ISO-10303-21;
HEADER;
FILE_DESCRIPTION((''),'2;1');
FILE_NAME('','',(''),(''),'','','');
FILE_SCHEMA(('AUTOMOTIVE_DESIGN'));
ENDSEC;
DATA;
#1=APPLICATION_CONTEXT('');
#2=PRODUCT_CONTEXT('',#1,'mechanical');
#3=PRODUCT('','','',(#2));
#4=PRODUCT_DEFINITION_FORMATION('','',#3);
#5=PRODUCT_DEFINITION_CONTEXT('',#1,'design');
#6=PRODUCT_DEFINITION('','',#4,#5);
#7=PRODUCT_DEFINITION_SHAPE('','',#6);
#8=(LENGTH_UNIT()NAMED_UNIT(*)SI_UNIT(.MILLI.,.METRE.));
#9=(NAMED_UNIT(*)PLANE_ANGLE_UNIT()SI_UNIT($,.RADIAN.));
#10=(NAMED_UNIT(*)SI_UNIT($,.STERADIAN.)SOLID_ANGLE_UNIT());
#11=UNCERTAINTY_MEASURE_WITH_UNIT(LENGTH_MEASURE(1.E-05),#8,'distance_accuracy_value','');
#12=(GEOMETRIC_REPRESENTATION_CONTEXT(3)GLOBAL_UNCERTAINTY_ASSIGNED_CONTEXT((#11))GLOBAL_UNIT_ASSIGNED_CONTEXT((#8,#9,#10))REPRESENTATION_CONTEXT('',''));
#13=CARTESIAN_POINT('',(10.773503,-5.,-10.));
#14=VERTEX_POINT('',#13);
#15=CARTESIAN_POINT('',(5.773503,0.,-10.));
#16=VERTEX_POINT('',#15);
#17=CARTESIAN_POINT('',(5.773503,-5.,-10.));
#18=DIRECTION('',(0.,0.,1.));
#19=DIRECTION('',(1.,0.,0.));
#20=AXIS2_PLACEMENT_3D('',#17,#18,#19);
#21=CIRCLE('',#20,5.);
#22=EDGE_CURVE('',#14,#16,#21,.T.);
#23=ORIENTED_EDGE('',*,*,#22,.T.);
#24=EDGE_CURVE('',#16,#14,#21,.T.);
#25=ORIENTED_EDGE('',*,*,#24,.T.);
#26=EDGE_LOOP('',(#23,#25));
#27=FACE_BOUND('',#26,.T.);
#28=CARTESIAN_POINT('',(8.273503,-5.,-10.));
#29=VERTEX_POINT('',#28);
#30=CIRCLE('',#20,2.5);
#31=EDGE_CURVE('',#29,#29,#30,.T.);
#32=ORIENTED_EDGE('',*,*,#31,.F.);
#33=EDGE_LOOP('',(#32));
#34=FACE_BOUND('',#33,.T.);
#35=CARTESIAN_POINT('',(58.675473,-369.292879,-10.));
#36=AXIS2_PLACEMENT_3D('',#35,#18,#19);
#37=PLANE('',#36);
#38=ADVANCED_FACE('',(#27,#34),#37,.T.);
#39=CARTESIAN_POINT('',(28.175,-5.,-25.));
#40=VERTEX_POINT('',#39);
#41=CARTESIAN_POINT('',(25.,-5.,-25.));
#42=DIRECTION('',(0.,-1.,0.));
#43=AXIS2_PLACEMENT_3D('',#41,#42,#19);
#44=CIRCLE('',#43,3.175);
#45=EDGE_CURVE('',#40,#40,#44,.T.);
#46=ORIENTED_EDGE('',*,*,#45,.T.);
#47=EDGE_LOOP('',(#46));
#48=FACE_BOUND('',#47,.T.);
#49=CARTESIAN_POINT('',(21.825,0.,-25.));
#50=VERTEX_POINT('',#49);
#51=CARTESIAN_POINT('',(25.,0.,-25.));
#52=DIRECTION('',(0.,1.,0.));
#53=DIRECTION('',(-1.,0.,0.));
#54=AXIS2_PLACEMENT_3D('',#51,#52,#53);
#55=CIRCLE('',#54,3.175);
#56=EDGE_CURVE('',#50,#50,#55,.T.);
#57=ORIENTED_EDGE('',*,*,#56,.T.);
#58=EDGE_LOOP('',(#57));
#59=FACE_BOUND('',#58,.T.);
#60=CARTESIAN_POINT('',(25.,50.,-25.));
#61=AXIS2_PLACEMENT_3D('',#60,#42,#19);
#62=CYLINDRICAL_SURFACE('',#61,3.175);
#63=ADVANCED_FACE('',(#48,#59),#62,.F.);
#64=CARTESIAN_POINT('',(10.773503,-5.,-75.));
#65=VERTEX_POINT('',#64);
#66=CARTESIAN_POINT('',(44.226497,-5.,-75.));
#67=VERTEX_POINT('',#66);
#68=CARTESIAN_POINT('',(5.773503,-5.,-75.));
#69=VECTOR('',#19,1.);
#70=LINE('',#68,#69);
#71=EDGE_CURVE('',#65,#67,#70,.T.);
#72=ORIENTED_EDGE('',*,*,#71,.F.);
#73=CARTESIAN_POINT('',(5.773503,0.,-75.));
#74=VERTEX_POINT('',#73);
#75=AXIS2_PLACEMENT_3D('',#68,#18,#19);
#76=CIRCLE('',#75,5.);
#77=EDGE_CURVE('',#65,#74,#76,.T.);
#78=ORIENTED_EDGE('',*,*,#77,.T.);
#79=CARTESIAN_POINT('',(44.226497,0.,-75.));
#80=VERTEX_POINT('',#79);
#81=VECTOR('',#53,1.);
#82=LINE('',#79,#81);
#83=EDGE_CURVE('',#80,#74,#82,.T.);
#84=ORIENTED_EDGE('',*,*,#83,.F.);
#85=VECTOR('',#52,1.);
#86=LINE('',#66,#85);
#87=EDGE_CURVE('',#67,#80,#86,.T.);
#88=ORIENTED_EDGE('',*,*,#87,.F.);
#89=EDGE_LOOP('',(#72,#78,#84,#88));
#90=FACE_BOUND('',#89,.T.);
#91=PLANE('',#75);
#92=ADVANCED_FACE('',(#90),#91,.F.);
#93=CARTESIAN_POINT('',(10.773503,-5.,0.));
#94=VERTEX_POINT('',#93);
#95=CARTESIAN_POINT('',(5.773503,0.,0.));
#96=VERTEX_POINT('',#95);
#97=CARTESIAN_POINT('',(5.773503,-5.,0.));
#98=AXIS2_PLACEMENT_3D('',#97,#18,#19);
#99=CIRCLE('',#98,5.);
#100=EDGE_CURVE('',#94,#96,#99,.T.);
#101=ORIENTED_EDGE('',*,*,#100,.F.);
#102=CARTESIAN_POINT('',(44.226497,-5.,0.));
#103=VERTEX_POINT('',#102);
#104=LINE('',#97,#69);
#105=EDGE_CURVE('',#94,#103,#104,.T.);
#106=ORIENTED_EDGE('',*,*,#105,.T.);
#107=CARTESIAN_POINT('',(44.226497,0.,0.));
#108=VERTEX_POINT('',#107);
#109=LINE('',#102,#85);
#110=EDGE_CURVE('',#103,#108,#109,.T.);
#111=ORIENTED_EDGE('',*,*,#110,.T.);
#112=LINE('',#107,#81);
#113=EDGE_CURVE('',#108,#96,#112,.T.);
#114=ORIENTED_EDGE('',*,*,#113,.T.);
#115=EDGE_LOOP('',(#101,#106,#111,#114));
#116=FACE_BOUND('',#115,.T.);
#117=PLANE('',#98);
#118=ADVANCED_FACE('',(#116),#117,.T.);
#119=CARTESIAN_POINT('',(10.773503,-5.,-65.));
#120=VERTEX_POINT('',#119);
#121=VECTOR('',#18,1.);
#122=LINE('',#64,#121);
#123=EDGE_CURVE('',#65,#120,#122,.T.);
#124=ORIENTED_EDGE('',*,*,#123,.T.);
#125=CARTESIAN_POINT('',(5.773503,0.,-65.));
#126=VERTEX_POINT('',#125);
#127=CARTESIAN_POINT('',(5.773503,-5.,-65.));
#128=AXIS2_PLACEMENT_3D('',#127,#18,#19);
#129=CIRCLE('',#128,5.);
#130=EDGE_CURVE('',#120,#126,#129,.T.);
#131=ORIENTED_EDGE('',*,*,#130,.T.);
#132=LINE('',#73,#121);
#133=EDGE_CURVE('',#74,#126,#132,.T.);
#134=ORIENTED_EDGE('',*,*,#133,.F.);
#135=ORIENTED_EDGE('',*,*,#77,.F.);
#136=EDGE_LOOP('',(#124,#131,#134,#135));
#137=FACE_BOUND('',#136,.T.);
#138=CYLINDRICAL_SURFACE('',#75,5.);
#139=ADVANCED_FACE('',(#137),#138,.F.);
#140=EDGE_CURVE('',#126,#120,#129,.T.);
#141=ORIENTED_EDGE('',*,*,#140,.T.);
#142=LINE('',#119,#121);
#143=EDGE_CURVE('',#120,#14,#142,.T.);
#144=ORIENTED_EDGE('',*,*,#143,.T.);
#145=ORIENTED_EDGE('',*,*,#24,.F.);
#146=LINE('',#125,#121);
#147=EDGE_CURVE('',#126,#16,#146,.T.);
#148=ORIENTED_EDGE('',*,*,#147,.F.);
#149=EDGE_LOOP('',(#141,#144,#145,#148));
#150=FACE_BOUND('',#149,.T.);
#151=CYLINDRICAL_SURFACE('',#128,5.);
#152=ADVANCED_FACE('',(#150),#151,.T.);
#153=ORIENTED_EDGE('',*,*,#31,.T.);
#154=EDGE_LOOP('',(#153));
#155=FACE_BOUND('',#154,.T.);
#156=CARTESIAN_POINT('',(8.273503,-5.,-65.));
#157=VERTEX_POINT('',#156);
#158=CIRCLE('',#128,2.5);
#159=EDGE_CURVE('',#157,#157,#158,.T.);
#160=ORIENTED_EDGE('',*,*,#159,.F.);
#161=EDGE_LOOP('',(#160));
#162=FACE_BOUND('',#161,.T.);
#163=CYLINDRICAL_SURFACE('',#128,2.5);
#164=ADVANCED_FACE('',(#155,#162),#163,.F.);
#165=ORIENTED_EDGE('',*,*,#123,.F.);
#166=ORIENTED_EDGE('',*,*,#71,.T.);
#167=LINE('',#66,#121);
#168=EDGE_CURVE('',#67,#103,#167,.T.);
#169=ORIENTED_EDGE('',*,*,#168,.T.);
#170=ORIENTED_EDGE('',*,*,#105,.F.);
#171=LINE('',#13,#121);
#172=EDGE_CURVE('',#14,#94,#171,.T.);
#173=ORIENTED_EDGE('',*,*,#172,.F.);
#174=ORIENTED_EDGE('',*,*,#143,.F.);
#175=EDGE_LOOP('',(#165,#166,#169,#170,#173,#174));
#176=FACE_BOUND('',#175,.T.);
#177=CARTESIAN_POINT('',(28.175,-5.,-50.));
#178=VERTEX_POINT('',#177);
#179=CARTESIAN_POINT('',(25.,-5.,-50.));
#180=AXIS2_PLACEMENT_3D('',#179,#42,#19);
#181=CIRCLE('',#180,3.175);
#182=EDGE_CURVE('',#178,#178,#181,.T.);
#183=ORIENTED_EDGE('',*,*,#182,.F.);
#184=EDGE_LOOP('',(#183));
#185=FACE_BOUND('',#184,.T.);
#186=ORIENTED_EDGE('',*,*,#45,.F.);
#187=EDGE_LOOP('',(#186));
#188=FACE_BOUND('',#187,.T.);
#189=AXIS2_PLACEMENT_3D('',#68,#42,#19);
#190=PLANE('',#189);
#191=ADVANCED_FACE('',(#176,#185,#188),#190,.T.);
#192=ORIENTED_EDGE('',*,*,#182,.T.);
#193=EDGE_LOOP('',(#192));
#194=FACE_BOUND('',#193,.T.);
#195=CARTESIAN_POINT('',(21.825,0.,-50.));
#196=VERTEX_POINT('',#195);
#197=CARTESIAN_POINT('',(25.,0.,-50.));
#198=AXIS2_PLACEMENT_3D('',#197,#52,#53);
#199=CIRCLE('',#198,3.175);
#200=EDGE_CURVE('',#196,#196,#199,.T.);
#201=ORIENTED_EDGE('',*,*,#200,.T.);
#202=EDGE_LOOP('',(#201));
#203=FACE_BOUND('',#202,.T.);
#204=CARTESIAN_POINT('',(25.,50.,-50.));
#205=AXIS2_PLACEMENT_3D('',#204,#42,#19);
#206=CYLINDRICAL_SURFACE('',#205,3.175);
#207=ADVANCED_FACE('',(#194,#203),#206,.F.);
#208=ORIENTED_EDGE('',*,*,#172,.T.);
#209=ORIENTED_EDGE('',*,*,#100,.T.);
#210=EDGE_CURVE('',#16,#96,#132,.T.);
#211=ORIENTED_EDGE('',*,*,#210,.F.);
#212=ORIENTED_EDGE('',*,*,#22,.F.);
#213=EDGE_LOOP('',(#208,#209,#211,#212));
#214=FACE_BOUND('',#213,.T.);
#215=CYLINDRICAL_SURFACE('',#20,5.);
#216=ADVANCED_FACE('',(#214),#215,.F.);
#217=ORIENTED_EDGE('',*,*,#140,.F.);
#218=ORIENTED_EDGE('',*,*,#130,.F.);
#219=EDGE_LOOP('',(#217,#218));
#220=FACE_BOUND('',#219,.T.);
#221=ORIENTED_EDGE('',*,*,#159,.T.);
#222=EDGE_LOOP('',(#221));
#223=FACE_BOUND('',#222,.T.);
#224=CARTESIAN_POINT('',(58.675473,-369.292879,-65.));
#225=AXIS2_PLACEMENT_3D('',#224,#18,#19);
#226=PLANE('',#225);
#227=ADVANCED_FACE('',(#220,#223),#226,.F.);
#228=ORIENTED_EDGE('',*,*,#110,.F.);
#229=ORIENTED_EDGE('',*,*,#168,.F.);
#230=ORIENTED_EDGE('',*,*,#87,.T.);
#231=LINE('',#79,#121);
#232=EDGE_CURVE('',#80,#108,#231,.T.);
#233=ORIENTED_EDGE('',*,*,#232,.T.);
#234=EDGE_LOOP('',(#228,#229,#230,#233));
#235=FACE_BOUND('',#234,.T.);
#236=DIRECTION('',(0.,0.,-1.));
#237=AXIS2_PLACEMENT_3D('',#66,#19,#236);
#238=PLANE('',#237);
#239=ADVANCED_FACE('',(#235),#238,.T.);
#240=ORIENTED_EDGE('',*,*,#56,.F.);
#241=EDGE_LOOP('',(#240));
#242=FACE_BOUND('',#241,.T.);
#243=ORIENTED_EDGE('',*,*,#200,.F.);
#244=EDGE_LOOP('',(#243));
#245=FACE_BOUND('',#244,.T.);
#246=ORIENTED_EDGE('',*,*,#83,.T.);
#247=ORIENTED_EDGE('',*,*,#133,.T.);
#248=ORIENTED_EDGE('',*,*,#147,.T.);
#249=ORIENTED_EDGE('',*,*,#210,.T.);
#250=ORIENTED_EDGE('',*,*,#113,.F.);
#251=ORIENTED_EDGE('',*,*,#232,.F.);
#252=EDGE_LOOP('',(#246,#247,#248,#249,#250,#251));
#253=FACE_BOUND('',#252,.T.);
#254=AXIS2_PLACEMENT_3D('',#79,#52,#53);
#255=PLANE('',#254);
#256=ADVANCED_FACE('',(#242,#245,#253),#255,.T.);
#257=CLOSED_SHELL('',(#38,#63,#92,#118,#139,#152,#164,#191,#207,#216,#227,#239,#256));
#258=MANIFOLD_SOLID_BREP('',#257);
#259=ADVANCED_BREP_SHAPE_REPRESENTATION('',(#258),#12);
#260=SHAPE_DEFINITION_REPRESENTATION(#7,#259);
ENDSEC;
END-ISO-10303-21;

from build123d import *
from build123d.topology import SkipClean

# Parameters (mm, degrees)
SKETCH1_W           = 38.452994616
SKETCH1_H           = 5
BOSS_EXTRUDE1_DEPTH = 75
BOSS_EXTRUDE2_START = -10
BOSS_EXTRUDE2_DEPTH = 55
SKETCH5_R           = 3.175
CUT_EXTRUDE8_DEPTH  = 55
CUT_EXTRUDE9_DEPTH  = 75
CUT_EXTRUDE10_DEPTH = 10
CUT_EXTRUDE11_START = -65
CUT_EXTRUDE11_DEPTH = 10


with BuildPart() as part:
    # Sketch1 → Boss-Extrude1 (new body)
    with BuildSketch(Plane.XY):
        with Locations((25, -2.5)):
            Rectangle(SKETCH1_W, SKETCH1_H)
    extrude(amount=-BOSS_EXTRUDE1_DEPTH)

    # Sketch1<4> → Boss-Extrude2 (add)
    with BuildSketch(Plane.XY.offset(BOSS_EXTRUDE2_START)):
        with BuildLine():
            Line((5.773502692, -2.5), (5.773502692, 0))
            ThreePointArc((5.773502692, 0), (3.273502704, -0.669872974), (1.443375686, -2.499999977))
            ThreePointArc((1.443375686, -2.499999977), (4.479407453, -9.829629128), (10.773502692, -5))
            Line((10.773502692, -5), (8.273502692, -5))
            ThreePointArc((8.273502692, -5), (4.005735739, -6.767766953), (5.773502692, -2.5))
        make_face()
    extrude(amount=-BOSS_EXTRUDE2_DEPTH)

    # Sketch5 → Cut-Extrude8 (cut)
    with BuildSketch(Plane.XZ.offset(5)):
        with Locations((25, -25)):
            Circle(SKETCH5_R)
        with Locations((25, -50)):
            Circle(SKETCH5_R)
    extrude(amount=-CUT_EXTRUDE8_DEPTH, mode=Mode.SUBTRACT)

    # Sketch1<14> → Cut-Extrude9 (cut)
    with SkipClean():  # the faces are left unmerged after this step: merging them gives an invalid solid
        with BuildSketch(Plane.XY):
            with BuildLine():
                ThreePointArc((8.273502692, -5), (7.541269645, -3.232233047), (5.773502692, -2.5))
                Line((5.773502692, -2.5), (5.773502692, -5))
                Line((5.773502692, -5), (8.273502692, -5))
            make_face()
        extrude(amount=-CUT_EXTRUDE9_DEPTH, mode=Mode.SUBTRACT)

    # Sketch1<15> → Cut-Extrude10 (cut)
    with SkipClean():  # the faces are left unmerged after this step: merging them gives an invalid solid
        with BuildSketch(Plane.XY):
            with BuildLine():
                ThreePointArc((10.773502692, -5), (9.309036598, -1.464466094), (5.773502692, 0))
                Line((5.773502692, 0), (5.773502692, -2.5))
                ThreePointArc((5.773502692, -2.5), (7.541269645, -3.232233047), (8.273502692, -5))
                Line((8.273502692, -5), (10.773502692, -5))
            make_face()
        extrude(amount=-CUT_EXTRUDE10_DEPTH, mode=Mode.SUBTRACT)

    # Sketch1<16> → Cut-Extrude11 (cut)
    with BuildSketch(Plane.XY.offset(CUT_EXTRUDE11_START)):
        with BuildLine():
            ThreePointArc((10.773502692, -5), (9.309036598, -1.464466094), (5.773502692, 0))
            Line((5.773502692, 0), (5.773502692, -2.5))
            ThreePointArc((5.773502692, -2.5), (7.541269645, -3.232233047), (8.273502692, -5))
            Line((8.273502692, -5), (10.773502692, -5))
        make_face()
    extrude(amount=-CUT_EXTRUDE11_DEPTH, mode=Mode.SUBTRACT)


solid = part.part
